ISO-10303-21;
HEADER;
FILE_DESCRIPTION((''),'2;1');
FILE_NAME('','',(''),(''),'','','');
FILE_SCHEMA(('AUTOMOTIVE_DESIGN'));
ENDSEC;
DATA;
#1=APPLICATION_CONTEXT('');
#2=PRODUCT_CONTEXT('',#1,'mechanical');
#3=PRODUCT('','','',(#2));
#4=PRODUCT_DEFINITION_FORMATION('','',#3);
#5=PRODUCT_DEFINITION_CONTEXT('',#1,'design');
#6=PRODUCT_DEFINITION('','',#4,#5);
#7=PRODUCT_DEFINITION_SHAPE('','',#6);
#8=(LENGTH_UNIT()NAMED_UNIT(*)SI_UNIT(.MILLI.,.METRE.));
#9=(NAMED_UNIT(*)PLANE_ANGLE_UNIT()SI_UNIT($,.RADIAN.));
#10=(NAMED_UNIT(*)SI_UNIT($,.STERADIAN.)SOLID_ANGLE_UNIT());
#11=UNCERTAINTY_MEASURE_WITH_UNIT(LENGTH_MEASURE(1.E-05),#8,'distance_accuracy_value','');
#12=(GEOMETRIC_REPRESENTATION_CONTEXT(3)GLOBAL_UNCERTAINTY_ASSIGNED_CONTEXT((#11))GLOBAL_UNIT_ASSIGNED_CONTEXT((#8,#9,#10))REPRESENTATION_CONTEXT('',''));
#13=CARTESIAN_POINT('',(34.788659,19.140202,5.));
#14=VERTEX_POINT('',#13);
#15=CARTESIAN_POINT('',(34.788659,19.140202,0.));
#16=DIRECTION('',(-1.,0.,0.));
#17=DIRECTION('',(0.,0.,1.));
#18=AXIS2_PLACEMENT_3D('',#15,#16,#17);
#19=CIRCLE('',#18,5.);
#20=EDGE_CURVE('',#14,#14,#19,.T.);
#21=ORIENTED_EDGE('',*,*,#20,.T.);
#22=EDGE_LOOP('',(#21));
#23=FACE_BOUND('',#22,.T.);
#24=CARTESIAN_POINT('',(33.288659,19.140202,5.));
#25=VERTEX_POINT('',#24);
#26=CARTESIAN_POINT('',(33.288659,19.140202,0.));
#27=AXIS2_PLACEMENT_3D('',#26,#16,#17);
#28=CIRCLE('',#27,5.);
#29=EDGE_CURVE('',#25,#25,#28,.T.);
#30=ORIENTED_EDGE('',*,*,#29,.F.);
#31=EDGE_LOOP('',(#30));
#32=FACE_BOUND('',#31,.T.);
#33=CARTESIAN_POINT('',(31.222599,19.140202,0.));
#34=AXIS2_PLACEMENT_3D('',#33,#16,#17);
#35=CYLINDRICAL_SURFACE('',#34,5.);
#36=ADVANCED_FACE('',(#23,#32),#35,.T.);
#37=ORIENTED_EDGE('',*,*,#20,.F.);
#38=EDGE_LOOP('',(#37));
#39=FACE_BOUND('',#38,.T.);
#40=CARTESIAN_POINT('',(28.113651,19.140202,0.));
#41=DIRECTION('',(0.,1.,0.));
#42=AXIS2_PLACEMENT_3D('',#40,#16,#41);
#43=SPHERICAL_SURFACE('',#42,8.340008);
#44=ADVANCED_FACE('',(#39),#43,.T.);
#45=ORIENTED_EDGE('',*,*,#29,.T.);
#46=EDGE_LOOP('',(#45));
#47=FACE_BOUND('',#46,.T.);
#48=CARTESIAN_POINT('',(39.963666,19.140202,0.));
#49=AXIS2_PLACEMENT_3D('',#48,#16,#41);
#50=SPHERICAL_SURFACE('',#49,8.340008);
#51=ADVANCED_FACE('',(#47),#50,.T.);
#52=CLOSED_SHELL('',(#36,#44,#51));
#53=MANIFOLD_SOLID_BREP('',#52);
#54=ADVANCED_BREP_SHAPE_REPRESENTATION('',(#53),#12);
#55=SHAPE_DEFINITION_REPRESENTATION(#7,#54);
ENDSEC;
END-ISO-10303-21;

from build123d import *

# Parameters (mm, degrees)
SKETCH_1_ONE_SIDE_W = 1.5
SKETCH_1_ONE_SIDE_H = 5


with BuildPart() as part:
    # 草图1 one side → 旋转1 (revolve)
    with BuildSketch(Plane.XY):
        with Locations((34.038658966, 21.640201978)):
            Rectangle(SKETCH_1_ONE_SIDE_W, SKETCH_1_ONE_SIDE_H)
        with BuildLine():
            Line((31.623658966, 19.140201978), (33.288658966, 19.140201978))
            Line((33.288658966, 19.140201978), (33.288658966, 24.140201978))
            ThreePointArc((33.288658966, 24.140201978), (32.05084972, 21.775169957), (31.623658966, 19.140201978))
        make_face()
        with BuildLine():
            Line((34.788658966, 19.140201978), (36.453658966, 19.140201978))
            ThreePointArc((36.453658966, 19.140201978), (36.026468212, 21.775169957), (34.788658966, 24.140201978))
            Line((34.788658966, 24.140201978), (34.788658966, 19.140201978))
        make_face()
    revolve(axis=Axis((31.222598957, 19.140201978, 0), (1, 0, 0)))


solid = part.part
